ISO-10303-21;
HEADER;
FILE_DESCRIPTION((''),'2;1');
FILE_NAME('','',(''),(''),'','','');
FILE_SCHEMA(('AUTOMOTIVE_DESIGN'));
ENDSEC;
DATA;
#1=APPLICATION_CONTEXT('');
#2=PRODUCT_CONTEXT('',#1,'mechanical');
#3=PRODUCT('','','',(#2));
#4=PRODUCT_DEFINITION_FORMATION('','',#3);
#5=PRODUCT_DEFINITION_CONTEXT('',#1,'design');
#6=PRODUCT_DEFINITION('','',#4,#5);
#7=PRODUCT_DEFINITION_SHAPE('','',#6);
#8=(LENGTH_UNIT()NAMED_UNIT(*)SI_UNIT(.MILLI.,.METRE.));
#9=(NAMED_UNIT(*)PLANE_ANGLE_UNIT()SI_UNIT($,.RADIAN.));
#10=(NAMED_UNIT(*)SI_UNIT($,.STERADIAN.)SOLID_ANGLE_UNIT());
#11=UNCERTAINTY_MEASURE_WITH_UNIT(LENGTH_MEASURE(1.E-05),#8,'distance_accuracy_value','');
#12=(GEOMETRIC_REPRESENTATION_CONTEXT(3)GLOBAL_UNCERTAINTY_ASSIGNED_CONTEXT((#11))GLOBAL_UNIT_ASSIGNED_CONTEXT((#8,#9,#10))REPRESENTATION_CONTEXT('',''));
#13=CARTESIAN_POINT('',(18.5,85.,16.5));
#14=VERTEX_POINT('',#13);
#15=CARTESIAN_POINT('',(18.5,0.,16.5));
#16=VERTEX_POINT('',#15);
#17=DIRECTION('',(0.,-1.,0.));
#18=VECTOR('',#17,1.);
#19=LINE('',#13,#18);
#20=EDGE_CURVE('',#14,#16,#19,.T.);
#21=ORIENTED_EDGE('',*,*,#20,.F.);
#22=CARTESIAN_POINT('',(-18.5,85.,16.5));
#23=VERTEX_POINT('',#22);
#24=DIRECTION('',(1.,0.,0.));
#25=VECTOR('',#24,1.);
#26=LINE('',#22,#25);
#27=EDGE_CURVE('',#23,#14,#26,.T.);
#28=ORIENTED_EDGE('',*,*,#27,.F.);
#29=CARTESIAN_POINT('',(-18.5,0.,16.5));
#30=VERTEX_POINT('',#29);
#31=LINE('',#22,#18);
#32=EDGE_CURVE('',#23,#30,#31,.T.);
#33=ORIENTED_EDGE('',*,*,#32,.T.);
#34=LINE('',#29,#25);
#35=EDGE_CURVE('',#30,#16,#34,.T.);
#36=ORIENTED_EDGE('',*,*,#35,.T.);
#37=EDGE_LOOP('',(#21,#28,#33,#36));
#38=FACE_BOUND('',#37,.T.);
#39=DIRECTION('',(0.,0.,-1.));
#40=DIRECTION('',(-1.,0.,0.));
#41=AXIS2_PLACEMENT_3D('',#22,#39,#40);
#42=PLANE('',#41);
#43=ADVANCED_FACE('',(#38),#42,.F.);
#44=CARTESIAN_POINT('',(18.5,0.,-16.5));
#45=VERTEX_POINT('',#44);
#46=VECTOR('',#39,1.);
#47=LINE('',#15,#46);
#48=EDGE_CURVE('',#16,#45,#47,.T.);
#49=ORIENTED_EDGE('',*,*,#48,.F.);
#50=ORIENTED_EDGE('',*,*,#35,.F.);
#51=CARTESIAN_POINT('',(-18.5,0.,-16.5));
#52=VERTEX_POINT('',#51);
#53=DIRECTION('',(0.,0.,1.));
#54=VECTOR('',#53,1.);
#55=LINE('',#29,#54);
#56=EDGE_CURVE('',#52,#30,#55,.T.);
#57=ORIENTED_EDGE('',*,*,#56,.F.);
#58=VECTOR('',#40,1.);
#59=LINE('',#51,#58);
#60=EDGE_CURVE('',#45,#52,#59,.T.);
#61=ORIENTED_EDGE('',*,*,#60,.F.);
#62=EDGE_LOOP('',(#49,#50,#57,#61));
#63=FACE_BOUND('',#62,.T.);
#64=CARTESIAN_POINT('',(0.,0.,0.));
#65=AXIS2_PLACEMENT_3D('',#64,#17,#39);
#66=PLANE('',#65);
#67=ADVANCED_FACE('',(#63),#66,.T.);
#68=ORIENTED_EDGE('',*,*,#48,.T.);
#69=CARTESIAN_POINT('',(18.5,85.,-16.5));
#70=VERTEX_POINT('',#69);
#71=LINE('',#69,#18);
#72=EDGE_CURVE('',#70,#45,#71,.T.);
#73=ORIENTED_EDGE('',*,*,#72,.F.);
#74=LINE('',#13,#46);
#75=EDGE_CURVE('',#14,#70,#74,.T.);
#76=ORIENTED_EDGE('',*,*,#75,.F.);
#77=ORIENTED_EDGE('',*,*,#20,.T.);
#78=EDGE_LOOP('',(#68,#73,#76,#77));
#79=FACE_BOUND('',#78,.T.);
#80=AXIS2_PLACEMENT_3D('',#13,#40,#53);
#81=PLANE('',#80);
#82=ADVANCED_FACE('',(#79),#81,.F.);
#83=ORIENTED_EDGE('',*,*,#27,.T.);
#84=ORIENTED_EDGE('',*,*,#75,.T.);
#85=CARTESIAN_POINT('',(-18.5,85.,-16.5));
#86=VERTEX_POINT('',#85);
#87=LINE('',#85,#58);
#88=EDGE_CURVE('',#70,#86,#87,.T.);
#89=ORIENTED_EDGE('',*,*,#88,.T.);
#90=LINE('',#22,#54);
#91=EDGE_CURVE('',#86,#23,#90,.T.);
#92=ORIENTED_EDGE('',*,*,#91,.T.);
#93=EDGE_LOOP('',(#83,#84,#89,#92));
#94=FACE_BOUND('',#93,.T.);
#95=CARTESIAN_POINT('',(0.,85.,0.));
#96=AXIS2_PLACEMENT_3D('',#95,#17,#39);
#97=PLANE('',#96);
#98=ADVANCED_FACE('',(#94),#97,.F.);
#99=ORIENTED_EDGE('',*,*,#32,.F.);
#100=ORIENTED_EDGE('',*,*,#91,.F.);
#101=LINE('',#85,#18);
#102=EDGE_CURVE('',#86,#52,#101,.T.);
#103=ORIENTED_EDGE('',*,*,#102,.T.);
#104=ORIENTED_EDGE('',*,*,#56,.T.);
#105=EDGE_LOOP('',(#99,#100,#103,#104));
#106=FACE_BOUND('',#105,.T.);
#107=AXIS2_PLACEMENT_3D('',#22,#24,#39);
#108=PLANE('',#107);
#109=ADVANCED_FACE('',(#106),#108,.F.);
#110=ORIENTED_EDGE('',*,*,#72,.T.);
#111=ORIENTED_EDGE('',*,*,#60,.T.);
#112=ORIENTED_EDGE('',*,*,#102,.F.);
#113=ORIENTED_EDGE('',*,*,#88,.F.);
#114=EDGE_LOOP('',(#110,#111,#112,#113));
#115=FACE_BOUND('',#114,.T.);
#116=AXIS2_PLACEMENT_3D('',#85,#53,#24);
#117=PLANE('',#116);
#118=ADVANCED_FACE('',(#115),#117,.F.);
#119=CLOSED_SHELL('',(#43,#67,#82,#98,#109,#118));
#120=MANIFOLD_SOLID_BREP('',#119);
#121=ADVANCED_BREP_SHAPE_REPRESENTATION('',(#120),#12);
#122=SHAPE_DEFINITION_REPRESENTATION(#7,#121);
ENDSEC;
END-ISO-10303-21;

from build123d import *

# Parameters (mm, degrees)
CROQUIS1_W              = 37
CROQUIS1_H              = 33
SALIENTE_EXTRUIR1_DEPTH = 85


with BuildPart() as part:
    # Croquis1 → Saliente-Extruir1 (new body)
    with BuildSketch(Plane(origin=(0, 0, 0), x_dir=(1, 0, 0), z_dir=(0, 1, 0))):
        Rectangle(CROQUIS1_W, CROQUIS1_H)
    extrude(amount=SALIENTE_EXTRUIR1_DEPTH)


solid = part.part
